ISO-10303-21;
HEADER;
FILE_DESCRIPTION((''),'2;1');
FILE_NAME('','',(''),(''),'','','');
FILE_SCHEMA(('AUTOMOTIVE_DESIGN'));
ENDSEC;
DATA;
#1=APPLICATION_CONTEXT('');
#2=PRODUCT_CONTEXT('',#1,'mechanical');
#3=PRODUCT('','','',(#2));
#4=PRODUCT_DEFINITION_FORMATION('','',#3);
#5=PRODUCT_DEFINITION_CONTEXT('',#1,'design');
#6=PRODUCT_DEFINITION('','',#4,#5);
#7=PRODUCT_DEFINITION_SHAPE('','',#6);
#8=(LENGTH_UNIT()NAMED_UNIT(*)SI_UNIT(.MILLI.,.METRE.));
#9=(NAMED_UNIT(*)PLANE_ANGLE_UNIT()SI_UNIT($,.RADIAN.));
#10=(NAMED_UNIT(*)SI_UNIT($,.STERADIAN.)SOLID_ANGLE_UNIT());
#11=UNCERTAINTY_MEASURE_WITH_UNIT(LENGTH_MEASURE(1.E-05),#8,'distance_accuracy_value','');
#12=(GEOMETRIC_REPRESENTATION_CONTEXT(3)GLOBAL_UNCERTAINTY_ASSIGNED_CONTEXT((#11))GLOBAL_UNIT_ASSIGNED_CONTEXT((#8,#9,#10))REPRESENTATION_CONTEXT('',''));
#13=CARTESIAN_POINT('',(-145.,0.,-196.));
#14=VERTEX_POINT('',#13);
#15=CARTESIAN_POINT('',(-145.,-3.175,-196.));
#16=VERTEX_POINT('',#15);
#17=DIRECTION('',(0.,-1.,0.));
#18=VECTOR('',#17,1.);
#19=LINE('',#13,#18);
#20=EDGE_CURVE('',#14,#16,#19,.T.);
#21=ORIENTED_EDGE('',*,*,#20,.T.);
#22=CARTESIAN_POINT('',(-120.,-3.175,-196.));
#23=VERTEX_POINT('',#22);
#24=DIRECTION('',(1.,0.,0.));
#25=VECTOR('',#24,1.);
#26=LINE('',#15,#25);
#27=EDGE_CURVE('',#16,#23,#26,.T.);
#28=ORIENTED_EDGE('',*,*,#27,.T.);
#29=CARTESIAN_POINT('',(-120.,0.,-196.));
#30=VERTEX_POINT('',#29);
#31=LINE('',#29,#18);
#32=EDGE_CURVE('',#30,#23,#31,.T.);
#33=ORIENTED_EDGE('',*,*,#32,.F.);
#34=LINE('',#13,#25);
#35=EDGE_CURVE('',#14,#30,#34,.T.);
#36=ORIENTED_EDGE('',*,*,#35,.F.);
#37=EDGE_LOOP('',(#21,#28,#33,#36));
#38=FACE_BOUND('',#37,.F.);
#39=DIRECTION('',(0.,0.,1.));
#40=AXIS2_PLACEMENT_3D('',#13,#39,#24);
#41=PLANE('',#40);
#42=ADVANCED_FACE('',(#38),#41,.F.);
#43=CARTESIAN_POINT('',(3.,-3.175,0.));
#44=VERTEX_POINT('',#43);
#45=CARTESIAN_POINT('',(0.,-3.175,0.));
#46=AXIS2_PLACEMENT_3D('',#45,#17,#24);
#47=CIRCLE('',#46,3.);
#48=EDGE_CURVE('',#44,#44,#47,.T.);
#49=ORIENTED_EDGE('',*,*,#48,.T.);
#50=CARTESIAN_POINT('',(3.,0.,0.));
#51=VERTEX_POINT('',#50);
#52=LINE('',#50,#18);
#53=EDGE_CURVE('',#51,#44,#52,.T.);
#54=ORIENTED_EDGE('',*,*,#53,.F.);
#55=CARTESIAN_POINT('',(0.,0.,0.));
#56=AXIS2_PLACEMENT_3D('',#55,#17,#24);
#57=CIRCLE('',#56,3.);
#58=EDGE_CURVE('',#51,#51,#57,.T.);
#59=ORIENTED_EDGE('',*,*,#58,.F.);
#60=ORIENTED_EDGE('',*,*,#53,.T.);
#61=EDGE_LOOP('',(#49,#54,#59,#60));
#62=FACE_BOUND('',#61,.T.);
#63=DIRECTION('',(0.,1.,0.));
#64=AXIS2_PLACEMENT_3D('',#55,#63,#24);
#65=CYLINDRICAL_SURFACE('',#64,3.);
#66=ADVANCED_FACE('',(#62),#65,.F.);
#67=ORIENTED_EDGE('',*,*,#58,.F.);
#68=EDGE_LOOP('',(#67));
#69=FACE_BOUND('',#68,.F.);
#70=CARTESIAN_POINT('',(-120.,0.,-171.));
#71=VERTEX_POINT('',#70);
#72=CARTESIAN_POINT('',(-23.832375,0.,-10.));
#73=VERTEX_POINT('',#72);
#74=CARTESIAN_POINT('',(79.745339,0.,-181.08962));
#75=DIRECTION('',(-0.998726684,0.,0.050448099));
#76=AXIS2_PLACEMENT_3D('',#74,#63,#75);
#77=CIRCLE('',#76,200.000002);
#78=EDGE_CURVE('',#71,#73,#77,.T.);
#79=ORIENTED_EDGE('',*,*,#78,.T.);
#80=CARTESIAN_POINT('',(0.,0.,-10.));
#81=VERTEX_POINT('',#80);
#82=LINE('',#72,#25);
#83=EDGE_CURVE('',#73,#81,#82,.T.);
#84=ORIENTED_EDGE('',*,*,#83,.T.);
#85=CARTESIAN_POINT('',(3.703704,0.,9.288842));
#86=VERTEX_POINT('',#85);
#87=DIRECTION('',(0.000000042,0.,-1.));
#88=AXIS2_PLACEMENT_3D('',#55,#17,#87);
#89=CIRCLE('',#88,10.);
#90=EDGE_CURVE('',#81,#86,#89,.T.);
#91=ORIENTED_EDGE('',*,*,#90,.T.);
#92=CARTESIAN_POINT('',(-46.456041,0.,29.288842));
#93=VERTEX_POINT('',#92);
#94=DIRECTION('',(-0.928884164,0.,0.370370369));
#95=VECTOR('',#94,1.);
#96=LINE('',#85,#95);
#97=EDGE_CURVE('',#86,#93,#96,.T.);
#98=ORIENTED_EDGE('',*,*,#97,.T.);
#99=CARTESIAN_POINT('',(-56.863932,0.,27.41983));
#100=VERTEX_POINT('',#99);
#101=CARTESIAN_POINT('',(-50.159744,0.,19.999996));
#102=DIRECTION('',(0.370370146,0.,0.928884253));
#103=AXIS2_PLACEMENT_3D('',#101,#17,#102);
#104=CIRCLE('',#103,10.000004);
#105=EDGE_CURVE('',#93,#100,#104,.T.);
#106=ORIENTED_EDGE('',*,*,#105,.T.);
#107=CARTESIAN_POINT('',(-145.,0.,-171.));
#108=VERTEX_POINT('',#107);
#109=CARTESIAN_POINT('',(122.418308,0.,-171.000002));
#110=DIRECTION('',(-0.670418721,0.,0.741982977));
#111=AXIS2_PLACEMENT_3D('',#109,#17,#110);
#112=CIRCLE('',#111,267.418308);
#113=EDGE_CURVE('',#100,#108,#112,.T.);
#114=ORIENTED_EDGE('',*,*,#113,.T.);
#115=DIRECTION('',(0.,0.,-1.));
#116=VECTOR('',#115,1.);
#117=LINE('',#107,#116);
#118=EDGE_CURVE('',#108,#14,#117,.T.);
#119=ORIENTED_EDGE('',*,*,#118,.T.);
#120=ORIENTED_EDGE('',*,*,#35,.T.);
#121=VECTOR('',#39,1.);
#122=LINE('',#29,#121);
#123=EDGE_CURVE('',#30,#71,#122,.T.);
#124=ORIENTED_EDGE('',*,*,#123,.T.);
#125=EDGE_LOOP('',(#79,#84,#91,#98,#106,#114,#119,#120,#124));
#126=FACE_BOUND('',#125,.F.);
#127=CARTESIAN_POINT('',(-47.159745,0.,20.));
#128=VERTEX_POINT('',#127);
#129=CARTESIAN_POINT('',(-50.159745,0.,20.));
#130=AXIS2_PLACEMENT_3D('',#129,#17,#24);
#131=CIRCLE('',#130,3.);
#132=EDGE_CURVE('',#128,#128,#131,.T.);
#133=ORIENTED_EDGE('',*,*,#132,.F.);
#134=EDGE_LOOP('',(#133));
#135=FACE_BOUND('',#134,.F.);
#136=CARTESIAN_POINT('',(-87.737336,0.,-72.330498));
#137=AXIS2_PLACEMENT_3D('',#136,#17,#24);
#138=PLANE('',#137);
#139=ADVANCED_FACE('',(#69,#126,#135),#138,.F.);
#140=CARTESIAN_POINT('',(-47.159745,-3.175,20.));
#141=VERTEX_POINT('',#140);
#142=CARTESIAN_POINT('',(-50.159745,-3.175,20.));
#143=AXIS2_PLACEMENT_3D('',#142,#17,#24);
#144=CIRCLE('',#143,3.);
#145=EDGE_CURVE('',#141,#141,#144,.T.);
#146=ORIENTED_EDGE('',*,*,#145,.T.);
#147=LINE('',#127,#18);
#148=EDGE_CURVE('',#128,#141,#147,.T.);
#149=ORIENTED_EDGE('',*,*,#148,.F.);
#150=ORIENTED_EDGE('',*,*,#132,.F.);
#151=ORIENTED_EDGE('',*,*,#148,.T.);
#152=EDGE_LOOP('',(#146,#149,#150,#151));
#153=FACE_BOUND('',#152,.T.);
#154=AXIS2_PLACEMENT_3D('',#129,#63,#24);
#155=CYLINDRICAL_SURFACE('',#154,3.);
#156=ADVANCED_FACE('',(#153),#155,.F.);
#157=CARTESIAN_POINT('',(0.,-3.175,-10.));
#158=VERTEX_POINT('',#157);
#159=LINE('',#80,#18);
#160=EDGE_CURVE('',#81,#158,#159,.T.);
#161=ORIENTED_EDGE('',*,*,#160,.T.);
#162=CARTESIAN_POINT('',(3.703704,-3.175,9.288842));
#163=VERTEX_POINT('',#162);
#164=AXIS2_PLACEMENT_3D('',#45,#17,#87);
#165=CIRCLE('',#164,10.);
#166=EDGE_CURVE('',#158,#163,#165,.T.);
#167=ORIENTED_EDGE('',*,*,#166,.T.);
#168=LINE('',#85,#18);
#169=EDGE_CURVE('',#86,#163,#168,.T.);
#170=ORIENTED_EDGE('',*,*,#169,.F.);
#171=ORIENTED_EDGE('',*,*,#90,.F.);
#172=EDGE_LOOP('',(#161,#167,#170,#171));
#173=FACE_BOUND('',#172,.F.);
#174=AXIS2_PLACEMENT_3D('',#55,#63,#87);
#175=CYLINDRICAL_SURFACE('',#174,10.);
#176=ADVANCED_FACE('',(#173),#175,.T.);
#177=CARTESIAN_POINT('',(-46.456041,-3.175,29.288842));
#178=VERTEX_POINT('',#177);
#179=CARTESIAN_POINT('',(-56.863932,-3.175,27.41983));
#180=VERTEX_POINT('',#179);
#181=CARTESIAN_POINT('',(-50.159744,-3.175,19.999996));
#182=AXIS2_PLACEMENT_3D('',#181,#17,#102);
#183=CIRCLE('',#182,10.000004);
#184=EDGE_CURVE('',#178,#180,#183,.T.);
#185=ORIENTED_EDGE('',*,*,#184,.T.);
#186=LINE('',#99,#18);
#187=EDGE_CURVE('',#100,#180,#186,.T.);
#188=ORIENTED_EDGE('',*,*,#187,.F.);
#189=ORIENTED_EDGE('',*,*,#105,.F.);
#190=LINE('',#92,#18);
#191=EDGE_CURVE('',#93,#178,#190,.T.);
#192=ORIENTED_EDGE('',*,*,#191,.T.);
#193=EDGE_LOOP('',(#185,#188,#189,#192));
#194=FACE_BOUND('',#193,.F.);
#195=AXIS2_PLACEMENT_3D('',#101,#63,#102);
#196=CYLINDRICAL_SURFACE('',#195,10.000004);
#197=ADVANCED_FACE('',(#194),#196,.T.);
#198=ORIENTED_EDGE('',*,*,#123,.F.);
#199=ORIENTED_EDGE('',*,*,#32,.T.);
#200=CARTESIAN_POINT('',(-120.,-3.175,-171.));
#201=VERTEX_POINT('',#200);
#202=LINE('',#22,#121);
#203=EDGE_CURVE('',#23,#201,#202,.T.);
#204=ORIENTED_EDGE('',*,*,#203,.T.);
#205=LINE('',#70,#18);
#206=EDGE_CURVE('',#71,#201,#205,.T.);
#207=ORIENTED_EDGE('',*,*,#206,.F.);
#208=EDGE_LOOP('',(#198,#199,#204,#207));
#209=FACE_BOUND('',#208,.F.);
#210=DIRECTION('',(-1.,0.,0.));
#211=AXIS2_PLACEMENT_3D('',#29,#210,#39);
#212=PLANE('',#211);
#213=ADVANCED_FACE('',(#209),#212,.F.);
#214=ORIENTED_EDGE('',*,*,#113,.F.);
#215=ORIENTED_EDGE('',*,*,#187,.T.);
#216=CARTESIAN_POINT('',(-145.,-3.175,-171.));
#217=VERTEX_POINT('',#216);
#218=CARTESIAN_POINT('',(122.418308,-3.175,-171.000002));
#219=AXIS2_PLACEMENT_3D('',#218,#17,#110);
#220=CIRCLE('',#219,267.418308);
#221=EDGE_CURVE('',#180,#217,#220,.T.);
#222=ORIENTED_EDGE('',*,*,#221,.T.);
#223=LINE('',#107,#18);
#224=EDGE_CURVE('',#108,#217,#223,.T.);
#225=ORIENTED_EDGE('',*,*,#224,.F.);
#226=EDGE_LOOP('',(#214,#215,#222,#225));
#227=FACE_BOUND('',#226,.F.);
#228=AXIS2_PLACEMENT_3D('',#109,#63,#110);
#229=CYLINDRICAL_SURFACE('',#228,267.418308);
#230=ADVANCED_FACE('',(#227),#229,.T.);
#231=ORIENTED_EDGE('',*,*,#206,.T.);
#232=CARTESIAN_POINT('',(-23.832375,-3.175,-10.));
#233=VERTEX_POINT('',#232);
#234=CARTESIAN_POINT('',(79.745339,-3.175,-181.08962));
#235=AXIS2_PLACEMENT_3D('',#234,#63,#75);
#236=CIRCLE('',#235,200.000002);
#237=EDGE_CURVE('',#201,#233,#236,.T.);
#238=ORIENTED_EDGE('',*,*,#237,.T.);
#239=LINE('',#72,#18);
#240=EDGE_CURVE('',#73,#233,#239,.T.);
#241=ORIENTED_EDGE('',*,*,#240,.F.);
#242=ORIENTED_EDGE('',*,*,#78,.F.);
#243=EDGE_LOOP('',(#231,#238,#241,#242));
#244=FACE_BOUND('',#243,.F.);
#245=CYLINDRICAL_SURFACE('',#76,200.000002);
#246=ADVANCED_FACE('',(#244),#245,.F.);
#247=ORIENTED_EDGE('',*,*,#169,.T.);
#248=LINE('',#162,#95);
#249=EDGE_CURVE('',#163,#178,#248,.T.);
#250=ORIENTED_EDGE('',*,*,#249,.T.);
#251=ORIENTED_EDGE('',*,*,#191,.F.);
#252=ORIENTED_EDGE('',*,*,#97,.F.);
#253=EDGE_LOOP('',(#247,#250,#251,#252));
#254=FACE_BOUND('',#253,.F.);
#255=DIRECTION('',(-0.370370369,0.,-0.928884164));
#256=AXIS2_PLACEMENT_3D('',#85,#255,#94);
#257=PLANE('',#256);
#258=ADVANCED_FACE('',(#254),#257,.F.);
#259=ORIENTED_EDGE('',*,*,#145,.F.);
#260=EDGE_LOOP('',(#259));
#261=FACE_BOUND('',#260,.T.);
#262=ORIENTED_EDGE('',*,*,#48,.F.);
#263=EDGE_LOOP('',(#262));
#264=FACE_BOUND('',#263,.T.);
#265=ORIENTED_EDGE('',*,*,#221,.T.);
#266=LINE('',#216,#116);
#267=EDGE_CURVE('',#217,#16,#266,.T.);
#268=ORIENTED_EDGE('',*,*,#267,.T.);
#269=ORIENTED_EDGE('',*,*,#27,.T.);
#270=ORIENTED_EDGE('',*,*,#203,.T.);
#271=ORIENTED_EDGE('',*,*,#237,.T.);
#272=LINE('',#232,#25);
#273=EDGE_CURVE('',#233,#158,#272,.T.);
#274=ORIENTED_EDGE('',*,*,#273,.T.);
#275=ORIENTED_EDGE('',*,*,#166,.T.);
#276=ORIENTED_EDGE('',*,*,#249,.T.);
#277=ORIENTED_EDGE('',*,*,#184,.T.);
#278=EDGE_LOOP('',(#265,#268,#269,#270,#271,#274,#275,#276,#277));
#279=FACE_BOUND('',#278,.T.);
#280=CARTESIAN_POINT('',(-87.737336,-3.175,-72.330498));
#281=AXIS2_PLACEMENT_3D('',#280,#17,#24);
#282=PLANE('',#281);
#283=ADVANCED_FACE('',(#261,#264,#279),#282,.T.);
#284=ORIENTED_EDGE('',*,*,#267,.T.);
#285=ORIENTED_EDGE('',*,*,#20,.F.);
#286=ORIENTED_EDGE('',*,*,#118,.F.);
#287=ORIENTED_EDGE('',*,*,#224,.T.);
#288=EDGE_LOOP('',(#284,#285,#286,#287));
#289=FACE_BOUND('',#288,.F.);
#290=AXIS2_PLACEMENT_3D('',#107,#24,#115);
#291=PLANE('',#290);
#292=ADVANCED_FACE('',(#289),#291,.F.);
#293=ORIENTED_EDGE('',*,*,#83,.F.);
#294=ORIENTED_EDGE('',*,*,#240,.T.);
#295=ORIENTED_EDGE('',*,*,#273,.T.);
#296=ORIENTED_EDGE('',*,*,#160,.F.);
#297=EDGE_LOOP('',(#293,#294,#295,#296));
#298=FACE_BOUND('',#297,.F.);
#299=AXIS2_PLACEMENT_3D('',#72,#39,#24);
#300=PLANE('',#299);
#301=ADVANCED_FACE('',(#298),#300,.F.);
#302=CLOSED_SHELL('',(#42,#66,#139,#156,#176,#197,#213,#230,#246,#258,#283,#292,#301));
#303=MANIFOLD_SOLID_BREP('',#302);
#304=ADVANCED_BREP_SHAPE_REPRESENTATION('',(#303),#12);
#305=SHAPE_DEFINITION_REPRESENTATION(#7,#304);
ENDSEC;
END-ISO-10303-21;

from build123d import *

# Parameters (mm, degrees)
F0_R     = 3
F1_DEPTH = 3.175


with BuildPart() as f1:
    # F0 (on Front) → F1 (new body)
    with BuildSketch(Plane.XZ):
        with BuildLine():
            Line((-23.832375, -10), (0, -10))
            ThreePointArc((0, -10), (9.820601, -1.885681), (3.703704, 9.288842))
            Line((3.703704, 9.288842), (-46.456041, 29.288842))
            ThreePointArc((-46.456041, 29.288842), (-51.927236, 29.842559), (-56.863932, 27.41983))
            ThreePointArc((-56.863932, 27.41983), (-121.97472, -62.443108), (-145, -171))
            Line((-145, -171), (-145, -196))
            Line((-145, -196), (-120, -196))
            Line((-120, -196), (-120, -171))
            ThreePointArc((-120, -171), (-91.956346, -78.529724), (-23.832375, -10))
        make_face()
        with Locations((-50.159745, 20)):
            Circle(F0_R, mode=Mode.SUBTRACT)
        Circle(F0_R, mode=Mode.SUBTRACT)
    extrude(amount=F1_DEPTH)


solid = f1.part
